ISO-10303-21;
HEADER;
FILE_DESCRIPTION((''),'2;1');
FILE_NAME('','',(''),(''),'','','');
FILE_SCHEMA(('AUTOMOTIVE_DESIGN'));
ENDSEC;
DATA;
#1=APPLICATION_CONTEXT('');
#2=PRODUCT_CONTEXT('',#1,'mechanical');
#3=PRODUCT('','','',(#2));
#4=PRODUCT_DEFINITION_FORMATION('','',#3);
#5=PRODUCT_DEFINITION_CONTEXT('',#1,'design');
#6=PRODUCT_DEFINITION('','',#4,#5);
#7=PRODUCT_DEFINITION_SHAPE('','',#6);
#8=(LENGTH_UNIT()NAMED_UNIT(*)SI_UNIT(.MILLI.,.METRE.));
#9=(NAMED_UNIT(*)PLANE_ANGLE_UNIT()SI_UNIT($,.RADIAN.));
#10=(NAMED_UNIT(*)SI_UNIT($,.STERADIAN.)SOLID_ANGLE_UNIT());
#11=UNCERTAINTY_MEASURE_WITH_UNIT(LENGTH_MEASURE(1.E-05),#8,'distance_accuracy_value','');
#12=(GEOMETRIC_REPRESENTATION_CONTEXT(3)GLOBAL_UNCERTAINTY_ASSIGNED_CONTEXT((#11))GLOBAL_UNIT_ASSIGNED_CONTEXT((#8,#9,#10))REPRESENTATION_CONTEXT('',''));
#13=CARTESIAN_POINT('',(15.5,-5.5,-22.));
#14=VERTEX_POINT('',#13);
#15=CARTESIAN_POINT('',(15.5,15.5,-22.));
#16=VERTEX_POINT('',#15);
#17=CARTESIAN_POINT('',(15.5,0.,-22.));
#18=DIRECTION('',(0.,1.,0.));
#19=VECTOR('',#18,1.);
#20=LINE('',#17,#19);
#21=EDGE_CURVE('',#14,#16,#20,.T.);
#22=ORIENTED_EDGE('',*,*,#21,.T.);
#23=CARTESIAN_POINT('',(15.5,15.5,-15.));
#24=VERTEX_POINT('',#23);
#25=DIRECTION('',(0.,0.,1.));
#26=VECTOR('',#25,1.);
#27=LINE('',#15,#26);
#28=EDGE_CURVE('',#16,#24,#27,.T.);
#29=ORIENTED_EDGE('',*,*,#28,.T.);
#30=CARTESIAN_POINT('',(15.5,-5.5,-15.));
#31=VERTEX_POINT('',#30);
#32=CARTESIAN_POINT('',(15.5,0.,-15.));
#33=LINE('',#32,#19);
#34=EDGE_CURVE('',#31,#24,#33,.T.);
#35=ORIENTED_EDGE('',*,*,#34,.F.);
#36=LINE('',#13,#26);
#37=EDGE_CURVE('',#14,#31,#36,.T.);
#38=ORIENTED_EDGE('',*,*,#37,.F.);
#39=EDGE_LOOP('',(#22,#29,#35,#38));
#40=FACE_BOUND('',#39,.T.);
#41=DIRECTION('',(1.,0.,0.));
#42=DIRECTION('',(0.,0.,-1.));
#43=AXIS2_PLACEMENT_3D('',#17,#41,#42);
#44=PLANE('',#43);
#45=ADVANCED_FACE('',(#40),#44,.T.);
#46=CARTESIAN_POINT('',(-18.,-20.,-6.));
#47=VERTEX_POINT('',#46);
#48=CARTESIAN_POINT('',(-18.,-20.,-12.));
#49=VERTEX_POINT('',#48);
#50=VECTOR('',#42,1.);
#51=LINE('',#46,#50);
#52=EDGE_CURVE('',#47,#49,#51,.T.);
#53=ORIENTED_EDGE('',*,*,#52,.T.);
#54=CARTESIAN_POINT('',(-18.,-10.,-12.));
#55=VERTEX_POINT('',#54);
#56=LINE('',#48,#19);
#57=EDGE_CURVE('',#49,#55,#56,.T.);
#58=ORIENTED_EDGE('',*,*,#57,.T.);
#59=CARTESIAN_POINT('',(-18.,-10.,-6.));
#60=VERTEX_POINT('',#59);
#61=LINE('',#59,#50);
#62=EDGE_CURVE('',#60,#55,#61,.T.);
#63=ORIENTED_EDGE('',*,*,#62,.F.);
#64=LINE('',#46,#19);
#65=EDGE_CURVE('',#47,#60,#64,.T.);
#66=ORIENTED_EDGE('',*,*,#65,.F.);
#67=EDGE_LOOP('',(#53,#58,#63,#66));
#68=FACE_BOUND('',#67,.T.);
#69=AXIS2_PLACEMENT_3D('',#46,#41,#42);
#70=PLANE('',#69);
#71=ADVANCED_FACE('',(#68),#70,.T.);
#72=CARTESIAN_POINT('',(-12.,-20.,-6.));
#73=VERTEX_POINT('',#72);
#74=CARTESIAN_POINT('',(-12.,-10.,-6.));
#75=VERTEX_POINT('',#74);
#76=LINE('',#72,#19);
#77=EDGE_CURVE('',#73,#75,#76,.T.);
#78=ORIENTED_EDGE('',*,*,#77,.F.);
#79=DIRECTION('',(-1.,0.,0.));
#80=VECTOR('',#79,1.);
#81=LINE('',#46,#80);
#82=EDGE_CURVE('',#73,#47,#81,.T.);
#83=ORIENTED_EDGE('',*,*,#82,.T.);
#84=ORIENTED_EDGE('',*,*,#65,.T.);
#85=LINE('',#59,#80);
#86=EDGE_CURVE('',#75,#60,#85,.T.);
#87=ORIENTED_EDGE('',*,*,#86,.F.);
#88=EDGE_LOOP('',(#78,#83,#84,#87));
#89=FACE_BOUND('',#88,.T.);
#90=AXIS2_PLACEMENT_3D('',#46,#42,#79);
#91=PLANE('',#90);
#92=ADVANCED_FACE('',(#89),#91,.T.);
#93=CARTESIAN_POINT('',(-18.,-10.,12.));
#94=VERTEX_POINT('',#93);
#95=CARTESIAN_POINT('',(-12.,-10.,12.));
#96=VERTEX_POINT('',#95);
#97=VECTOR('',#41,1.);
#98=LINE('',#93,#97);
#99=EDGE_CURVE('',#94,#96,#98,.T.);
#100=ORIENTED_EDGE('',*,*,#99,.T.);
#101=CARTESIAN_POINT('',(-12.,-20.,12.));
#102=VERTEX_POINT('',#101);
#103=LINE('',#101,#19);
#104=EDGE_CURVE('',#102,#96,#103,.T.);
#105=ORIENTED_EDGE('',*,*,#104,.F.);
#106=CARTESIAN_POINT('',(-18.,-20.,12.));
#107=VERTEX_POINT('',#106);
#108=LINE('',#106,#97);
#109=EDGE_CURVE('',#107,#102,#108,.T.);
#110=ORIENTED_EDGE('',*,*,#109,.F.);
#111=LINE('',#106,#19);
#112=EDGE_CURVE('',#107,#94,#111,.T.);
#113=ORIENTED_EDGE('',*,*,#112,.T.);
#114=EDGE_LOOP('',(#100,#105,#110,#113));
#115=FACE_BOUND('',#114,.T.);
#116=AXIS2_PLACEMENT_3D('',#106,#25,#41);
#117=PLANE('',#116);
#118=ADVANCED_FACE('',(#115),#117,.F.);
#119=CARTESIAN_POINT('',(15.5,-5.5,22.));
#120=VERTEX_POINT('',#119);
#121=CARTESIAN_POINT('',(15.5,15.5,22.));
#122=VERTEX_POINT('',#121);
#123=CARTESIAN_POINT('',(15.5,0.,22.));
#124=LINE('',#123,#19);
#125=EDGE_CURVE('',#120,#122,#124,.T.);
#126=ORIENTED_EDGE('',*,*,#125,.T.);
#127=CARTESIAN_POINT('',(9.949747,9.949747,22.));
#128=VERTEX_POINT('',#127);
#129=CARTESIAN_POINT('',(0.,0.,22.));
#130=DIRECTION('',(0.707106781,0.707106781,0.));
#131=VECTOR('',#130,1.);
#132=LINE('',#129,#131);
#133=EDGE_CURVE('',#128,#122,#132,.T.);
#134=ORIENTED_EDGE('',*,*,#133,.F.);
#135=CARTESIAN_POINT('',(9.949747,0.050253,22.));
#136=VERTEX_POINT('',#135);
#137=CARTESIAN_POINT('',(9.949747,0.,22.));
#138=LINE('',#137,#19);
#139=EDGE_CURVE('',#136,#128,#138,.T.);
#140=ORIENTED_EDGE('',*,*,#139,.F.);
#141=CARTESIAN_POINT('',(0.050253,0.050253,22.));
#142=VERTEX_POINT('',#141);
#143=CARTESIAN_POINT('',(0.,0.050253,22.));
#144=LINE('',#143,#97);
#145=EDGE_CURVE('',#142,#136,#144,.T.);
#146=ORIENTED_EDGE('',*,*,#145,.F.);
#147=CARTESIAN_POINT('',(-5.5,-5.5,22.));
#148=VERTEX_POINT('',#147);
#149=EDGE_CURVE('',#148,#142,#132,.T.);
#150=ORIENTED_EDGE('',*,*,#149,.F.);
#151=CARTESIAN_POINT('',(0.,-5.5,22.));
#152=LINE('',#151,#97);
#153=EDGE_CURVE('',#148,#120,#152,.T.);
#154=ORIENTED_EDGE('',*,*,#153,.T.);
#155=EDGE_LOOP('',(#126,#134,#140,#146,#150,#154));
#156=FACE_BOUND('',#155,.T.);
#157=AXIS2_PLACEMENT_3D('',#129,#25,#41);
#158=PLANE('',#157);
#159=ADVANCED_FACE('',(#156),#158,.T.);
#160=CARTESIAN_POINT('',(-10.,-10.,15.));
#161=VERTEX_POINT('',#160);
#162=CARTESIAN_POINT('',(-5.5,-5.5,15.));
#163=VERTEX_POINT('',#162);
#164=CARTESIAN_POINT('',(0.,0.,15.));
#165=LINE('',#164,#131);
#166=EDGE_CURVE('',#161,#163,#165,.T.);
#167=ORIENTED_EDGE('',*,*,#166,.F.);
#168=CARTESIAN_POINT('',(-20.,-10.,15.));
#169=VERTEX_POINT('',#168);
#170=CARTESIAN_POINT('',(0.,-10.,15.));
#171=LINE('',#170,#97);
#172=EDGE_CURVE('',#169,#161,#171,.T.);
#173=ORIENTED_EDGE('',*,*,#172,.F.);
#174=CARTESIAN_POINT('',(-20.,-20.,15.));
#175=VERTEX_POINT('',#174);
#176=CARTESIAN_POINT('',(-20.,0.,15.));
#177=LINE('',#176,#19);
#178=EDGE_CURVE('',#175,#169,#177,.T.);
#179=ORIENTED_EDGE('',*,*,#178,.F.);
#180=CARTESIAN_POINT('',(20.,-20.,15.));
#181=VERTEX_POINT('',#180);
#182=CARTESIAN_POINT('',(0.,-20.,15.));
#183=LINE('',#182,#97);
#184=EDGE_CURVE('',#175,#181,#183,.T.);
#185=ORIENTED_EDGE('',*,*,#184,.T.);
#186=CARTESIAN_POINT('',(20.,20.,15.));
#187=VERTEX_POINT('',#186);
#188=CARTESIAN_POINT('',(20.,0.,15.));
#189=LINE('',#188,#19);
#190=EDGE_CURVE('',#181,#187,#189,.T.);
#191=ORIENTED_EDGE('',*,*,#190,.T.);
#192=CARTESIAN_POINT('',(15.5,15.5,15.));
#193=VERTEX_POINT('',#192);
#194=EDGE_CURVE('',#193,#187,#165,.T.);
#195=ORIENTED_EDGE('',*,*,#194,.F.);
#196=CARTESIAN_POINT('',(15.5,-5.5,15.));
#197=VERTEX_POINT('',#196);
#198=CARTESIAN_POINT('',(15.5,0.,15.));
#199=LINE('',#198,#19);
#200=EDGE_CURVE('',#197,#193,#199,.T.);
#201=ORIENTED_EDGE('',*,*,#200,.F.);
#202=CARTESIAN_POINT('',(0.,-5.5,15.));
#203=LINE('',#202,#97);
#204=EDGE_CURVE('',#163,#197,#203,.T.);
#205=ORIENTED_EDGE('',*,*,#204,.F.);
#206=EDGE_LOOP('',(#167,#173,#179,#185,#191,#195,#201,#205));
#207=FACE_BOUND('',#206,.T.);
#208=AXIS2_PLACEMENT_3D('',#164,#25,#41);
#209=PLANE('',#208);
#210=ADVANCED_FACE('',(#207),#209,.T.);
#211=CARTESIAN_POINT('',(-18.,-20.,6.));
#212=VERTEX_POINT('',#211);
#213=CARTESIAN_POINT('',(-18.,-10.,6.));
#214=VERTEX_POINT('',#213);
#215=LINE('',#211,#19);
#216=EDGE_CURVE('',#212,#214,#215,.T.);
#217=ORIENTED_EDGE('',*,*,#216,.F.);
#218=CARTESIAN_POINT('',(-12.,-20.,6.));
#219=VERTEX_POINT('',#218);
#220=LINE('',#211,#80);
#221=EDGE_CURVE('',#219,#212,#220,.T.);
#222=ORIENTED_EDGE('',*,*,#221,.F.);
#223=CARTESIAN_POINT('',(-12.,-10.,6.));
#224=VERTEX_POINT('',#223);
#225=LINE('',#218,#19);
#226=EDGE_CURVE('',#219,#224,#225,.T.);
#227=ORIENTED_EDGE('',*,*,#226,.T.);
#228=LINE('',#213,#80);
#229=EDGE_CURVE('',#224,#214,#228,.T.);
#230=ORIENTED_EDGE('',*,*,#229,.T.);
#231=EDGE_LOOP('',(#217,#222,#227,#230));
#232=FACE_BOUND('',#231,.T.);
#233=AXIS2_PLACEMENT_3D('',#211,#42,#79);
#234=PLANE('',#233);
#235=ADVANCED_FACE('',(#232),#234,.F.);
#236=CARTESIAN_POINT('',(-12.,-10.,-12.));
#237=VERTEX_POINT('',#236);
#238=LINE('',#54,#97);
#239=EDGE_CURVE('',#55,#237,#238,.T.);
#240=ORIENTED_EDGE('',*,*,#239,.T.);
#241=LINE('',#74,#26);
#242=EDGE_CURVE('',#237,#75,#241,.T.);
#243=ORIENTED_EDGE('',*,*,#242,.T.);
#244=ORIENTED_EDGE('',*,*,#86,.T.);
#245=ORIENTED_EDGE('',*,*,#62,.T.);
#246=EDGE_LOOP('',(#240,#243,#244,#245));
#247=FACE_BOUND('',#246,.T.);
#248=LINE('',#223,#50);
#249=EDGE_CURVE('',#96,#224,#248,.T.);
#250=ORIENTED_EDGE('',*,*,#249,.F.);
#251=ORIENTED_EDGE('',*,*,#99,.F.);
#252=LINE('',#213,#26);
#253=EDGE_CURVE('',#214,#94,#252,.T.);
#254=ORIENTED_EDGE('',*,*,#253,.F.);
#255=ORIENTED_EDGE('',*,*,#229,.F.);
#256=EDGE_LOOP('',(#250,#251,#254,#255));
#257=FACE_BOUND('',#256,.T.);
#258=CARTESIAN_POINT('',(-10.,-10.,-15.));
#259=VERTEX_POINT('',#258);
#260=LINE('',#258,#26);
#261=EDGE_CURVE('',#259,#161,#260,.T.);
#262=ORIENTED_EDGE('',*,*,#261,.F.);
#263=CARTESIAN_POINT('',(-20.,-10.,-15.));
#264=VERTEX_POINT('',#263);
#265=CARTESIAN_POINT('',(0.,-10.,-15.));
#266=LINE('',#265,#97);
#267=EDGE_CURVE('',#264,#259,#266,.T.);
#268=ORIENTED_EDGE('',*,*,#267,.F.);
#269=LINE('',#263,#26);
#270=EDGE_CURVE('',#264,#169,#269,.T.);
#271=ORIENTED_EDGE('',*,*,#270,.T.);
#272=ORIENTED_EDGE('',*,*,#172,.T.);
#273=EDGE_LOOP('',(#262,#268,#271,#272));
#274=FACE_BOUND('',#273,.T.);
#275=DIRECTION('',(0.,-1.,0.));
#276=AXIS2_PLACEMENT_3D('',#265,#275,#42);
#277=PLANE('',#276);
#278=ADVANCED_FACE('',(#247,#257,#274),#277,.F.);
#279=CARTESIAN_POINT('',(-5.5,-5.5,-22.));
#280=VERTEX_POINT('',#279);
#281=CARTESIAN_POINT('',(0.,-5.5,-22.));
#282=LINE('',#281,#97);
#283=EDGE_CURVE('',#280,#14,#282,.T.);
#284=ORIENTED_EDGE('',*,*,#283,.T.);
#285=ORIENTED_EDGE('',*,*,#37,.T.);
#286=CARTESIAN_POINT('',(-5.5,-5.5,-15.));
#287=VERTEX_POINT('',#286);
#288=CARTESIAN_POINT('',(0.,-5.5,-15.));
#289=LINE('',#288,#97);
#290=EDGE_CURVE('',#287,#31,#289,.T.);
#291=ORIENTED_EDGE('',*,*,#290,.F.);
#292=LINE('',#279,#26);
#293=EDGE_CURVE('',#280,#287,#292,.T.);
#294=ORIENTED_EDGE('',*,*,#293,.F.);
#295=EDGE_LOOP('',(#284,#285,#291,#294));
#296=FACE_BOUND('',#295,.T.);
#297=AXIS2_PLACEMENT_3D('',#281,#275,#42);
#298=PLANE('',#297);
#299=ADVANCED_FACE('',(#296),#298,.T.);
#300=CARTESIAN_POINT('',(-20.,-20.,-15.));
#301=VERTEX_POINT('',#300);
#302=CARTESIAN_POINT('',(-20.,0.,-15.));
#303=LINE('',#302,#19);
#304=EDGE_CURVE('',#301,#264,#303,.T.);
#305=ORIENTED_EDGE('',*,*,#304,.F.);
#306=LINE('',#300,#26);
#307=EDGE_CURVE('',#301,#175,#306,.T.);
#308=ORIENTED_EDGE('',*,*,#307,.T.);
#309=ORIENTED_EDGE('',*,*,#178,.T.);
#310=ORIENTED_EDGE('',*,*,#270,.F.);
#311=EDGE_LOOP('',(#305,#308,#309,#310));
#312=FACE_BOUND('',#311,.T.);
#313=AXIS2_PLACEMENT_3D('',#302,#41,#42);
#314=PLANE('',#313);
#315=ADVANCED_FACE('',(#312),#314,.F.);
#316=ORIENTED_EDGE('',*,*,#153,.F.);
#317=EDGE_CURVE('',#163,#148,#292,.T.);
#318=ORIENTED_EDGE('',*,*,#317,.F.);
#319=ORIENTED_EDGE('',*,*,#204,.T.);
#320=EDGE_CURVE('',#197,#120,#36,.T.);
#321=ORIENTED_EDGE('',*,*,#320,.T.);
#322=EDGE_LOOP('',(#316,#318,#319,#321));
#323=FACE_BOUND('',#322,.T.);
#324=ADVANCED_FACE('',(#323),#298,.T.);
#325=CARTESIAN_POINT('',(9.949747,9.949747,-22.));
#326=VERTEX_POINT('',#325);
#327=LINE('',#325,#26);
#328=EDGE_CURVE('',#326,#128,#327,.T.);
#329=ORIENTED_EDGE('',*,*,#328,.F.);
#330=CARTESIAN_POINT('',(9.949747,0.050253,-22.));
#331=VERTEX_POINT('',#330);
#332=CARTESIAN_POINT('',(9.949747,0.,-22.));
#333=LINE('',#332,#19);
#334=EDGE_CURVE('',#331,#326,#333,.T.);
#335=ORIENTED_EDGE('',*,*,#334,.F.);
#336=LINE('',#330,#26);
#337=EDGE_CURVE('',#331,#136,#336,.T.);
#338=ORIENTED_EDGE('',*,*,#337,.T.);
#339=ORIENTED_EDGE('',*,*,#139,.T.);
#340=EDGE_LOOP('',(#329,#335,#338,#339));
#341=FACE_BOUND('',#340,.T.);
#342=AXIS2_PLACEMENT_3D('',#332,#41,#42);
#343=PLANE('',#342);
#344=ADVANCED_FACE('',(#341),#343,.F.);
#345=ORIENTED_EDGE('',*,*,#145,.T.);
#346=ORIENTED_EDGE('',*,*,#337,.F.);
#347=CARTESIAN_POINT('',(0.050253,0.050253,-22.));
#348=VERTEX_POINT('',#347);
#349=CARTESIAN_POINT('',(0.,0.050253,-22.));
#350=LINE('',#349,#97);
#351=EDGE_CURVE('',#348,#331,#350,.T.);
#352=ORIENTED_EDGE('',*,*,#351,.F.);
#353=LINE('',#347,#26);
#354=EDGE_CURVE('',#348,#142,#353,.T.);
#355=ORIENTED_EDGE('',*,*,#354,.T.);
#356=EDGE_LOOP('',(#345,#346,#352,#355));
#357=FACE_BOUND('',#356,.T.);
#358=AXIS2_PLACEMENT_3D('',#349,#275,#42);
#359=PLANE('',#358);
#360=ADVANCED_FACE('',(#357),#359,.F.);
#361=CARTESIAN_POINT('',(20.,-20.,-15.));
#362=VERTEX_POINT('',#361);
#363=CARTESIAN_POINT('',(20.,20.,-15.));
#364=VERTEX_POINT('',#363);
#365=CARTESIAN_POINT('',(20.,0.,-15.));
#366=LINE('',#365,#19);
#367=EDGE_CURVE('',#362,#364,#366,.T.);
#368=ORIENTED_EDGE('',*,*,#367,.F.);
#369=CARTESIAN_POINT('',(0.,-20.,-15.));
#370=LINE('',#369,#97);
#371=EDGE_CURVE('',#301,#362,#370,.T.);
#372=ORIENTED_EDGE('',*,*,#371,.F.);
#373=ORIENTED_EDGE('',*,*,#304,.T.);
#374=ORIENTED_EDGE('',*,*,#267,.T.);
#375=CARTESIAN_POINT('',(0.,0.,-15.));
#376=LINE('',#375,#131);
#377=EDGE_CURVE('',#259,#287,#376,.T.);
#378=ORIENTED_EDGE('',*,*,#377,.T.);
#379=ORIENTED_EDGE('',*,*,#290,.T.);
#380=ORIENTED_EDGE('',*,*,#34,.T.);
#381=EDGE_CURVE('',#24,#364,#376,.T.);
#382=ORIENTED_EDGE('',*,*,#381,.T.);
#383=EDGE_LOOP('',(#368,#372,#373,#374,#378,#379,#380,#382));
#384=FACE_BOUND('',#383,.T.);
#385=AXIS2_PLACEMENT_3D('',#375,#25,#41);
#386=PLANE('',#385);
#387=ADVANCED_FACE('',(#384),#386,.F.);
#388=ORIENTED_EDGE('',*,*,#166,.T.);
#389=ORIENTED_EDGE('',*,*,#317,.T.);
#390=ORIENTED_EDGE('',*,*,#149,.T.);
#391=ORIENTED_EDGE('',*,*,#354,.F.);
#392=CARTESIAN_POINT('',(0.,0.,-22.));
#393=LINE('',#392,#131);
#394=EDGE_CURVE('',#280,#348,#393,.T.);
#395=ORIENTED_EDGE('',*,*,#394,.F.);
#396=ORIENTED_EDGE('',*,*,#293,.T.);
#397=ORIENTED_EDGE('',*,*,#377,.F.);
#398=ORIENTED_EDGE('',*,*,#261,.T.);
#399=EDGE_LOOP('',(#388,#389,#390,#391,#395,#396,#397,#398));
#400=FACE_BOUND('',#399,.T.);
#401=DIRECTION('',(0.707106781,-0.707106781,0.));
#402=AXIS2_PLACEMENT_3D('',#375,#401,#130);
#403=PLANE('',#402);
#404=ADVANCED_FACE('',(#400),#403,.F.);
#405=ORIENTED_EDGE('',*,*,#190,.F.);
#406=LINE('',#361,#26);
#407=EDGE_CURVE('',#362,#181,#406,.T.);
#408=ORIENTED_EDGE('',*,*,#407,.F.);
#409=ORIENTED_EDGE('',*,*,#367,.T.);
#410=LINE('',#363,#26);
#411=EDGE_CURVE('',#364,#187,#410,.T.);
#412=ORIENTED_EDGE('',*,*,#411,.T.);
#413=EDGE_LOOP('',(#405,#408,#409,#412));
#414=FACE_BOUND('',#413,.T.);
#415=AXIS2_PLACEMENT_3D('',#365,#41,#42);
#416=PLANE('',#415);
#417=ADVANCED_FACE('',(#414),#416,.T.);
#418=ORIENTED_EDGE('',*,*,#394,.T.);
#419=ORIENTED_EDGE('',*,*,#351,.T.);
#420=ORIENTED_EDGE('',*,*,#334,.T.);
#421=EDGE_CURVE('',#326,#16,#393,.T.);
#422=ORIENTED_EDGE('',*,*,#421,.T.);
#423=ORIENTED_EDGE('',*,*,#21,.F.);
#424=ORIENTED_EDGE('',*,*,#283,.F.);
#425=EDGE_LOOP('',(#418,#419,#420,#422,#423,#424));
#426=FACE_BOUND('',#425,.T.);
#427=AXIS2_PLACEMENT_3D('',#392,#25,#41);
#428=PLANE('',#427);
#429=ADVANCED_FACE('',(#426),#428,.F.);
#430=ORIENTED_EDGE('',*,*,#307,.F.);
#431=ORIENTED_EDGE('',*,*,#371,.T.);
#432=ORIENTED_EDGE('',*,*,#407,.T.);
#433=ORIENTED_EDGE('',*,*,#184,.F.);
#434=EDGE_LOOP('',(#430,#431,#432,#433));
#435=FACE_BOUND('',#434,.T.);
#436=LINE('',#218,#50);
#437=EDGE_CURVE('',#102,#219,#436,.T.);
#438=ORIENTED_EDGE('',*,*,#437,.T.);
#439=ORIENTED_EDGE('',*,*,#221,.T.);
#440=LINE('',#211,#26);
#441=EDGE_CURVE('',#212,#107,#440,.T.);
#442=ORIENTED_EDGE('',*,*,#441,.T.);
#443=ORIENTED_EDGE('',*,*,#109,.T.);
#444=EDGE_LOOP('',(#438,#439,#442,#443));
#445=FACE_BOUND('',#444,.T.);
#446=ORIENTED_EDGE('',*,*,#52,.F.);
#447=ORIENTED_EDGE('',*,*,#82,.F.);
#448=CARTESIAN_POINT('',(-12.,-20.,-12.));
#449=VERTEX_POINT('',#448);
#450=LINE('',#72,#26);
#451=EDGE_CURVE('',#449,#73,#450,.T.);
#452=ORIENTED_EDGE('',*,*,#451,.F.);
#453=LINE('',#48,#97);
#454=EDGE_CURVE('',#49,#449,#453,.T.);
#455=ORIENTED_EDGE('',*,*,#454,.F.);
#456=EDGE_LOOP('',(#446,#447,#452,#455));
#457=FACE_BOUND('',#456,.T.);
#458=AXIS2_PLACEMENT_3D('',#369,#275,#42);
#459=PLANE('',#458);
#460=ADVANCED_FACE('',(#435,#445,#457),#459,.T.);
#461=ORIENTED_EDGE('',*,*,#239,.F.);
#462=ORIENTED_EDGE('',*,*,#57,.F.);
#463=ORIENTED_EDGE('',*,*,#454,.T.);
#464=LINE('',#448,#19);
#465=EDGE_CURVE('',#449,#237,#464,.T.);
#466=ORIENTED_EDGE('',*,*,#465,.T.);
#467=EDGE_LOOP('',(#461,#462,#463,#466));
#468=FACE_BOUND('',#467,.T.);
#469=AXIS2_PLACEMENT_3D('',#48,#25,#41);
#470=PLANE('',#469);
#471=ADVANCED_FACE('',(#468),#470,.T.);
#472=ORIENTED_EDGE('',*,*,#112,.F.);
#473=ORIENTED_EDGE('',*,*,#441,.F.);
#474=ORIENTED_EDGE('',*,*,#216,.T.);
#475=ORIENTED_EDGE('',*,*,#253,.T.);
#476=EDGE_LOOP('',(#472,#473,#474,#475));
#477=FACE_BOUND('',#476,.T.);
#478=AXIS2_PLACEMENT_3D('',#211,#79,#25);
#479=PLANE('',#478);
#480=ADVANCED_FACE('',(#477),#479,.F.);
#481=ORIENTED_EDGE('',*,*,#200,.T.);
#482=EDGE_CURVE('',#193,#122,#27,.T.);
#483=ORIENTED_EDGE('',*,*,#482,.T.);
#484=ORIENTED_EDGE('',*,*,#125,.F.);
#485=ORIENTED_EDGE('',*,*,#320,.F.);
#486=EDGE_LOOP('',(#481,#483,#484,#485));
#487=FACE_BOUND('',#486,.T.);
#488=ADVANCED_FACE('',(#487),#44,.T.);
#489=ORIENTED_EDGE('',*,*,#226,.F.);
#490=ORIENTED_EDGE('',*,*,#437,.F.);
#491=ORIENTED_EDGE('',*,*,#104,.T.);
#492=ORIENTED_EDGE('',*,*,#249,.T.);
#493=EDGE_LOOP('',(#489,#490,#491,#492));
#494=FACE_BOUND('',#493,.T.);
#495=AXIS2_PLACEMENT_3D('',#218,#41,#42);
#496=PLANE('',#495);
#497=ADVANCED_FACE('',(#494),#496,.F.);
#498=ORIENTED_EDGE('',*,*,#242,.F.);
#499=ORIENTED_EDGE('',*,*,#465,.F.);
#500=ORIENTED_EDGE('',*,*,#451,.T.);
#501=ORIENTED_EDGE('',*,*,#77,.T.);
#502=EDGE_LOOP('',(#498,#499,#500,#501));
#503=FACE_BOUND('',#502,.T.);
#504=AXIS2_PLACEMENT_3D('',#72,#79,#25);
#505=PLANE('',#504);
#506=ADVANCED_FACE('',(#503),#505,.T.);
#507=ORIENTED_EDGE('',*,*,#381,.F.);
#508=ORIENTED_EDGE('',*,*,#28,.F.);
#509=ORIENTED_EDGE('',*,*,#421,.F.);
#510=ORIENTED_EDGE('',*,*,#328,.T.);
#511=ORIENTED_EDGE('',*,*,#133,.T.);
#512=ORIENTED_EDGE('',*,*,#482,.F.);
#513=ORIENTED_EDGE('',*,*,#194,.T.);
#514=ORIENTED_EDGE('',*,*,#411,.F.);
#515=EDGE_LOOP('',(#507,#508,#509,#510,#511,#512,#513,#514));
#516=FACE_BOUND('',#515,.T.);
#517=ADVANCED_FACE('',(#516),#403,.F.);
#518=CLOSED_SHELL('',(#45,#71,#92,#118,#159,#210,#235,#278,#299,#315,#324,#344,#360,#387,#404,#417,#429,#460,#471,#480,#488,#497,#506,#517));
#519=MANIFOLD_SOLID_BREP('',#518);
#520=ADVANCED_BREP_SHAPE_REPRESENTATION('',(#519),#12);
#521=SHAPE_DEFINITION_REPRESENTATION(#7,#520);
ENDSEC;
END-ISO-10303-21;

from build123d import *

# Parameters (mm, degrees)
EXTRUDE_3_DEPTH      = 15
EXTRUDE_3_DEPTH_BACK = 15
EXTRUDE_4_DEPTH      = 22
EXTRUDE_4_DEPTH_BACK = 22
SKETCH_2_W           = 6
SKETCH_2_H           = 6
CUT_EXTRUDE_2_DEPTH  = 43.237424164


with BuildPart() as part:
    # Эскиз1 → Бобышка-Вытянуть3 (new, two sides: drawn at the far end of the back side and taken through both)
    with BuildSketch(Plane.XY.offset(-EXTRUDE_3_DEPTH_BACK)):
        Polygon((-10, -10), (-20, -10), (-20, -20), (20, -20), (20, 20), (15.5, 15.5), (15.5, -5.5), (-5.5, -5.5), align=None)
    extrude(amount=EXTRUDE_3_DEPTH + EXTRUDE_3_DEPTH_BACK)

    # Эскиз1<6> → Бобышка-Вытянуть4 (add, two sides: drawn at the far end of the back side and taken through both)
    with BuildSketch(Plane.XY.offset(-EXTRUDE_4_DEPTH_BACK)):
        Polygon((0.050252532, 0.050252532), (-5.5, -5.5), (15.5, -5.5), (15.5, 15.5), (9.949747468, 9.949747468), (9.949747468, 0.050252532), align=None)
    extrude(amount=EXTRUDE_4_DEPTH + EXTRUDE_4_DEPTH_BACK)

    # Эскиз2 → Вырез-Вытянуть2 (cut, through all)
    with BuildSketch(Plane(origin=(0, -10, 0), x_dir=(1, 0, 0), z_dir=(0, 1, 0))):
        with Locations((-15, -9)):
            Rectangle(SKETCH_2_W, SKETCH_2_H)
    cut_extrude_2 = extrude(amount=-CUT_EXTRUDE_2_DEPTH, mode=Mode.SUBTRACT)

    # Зеркальное отражение1: Вырез-Вытянуть2 across plane
    add(cut_extrude_2.mirror(Plane.XY), mode=Mode.SUBTRACT)


solid = part.part
